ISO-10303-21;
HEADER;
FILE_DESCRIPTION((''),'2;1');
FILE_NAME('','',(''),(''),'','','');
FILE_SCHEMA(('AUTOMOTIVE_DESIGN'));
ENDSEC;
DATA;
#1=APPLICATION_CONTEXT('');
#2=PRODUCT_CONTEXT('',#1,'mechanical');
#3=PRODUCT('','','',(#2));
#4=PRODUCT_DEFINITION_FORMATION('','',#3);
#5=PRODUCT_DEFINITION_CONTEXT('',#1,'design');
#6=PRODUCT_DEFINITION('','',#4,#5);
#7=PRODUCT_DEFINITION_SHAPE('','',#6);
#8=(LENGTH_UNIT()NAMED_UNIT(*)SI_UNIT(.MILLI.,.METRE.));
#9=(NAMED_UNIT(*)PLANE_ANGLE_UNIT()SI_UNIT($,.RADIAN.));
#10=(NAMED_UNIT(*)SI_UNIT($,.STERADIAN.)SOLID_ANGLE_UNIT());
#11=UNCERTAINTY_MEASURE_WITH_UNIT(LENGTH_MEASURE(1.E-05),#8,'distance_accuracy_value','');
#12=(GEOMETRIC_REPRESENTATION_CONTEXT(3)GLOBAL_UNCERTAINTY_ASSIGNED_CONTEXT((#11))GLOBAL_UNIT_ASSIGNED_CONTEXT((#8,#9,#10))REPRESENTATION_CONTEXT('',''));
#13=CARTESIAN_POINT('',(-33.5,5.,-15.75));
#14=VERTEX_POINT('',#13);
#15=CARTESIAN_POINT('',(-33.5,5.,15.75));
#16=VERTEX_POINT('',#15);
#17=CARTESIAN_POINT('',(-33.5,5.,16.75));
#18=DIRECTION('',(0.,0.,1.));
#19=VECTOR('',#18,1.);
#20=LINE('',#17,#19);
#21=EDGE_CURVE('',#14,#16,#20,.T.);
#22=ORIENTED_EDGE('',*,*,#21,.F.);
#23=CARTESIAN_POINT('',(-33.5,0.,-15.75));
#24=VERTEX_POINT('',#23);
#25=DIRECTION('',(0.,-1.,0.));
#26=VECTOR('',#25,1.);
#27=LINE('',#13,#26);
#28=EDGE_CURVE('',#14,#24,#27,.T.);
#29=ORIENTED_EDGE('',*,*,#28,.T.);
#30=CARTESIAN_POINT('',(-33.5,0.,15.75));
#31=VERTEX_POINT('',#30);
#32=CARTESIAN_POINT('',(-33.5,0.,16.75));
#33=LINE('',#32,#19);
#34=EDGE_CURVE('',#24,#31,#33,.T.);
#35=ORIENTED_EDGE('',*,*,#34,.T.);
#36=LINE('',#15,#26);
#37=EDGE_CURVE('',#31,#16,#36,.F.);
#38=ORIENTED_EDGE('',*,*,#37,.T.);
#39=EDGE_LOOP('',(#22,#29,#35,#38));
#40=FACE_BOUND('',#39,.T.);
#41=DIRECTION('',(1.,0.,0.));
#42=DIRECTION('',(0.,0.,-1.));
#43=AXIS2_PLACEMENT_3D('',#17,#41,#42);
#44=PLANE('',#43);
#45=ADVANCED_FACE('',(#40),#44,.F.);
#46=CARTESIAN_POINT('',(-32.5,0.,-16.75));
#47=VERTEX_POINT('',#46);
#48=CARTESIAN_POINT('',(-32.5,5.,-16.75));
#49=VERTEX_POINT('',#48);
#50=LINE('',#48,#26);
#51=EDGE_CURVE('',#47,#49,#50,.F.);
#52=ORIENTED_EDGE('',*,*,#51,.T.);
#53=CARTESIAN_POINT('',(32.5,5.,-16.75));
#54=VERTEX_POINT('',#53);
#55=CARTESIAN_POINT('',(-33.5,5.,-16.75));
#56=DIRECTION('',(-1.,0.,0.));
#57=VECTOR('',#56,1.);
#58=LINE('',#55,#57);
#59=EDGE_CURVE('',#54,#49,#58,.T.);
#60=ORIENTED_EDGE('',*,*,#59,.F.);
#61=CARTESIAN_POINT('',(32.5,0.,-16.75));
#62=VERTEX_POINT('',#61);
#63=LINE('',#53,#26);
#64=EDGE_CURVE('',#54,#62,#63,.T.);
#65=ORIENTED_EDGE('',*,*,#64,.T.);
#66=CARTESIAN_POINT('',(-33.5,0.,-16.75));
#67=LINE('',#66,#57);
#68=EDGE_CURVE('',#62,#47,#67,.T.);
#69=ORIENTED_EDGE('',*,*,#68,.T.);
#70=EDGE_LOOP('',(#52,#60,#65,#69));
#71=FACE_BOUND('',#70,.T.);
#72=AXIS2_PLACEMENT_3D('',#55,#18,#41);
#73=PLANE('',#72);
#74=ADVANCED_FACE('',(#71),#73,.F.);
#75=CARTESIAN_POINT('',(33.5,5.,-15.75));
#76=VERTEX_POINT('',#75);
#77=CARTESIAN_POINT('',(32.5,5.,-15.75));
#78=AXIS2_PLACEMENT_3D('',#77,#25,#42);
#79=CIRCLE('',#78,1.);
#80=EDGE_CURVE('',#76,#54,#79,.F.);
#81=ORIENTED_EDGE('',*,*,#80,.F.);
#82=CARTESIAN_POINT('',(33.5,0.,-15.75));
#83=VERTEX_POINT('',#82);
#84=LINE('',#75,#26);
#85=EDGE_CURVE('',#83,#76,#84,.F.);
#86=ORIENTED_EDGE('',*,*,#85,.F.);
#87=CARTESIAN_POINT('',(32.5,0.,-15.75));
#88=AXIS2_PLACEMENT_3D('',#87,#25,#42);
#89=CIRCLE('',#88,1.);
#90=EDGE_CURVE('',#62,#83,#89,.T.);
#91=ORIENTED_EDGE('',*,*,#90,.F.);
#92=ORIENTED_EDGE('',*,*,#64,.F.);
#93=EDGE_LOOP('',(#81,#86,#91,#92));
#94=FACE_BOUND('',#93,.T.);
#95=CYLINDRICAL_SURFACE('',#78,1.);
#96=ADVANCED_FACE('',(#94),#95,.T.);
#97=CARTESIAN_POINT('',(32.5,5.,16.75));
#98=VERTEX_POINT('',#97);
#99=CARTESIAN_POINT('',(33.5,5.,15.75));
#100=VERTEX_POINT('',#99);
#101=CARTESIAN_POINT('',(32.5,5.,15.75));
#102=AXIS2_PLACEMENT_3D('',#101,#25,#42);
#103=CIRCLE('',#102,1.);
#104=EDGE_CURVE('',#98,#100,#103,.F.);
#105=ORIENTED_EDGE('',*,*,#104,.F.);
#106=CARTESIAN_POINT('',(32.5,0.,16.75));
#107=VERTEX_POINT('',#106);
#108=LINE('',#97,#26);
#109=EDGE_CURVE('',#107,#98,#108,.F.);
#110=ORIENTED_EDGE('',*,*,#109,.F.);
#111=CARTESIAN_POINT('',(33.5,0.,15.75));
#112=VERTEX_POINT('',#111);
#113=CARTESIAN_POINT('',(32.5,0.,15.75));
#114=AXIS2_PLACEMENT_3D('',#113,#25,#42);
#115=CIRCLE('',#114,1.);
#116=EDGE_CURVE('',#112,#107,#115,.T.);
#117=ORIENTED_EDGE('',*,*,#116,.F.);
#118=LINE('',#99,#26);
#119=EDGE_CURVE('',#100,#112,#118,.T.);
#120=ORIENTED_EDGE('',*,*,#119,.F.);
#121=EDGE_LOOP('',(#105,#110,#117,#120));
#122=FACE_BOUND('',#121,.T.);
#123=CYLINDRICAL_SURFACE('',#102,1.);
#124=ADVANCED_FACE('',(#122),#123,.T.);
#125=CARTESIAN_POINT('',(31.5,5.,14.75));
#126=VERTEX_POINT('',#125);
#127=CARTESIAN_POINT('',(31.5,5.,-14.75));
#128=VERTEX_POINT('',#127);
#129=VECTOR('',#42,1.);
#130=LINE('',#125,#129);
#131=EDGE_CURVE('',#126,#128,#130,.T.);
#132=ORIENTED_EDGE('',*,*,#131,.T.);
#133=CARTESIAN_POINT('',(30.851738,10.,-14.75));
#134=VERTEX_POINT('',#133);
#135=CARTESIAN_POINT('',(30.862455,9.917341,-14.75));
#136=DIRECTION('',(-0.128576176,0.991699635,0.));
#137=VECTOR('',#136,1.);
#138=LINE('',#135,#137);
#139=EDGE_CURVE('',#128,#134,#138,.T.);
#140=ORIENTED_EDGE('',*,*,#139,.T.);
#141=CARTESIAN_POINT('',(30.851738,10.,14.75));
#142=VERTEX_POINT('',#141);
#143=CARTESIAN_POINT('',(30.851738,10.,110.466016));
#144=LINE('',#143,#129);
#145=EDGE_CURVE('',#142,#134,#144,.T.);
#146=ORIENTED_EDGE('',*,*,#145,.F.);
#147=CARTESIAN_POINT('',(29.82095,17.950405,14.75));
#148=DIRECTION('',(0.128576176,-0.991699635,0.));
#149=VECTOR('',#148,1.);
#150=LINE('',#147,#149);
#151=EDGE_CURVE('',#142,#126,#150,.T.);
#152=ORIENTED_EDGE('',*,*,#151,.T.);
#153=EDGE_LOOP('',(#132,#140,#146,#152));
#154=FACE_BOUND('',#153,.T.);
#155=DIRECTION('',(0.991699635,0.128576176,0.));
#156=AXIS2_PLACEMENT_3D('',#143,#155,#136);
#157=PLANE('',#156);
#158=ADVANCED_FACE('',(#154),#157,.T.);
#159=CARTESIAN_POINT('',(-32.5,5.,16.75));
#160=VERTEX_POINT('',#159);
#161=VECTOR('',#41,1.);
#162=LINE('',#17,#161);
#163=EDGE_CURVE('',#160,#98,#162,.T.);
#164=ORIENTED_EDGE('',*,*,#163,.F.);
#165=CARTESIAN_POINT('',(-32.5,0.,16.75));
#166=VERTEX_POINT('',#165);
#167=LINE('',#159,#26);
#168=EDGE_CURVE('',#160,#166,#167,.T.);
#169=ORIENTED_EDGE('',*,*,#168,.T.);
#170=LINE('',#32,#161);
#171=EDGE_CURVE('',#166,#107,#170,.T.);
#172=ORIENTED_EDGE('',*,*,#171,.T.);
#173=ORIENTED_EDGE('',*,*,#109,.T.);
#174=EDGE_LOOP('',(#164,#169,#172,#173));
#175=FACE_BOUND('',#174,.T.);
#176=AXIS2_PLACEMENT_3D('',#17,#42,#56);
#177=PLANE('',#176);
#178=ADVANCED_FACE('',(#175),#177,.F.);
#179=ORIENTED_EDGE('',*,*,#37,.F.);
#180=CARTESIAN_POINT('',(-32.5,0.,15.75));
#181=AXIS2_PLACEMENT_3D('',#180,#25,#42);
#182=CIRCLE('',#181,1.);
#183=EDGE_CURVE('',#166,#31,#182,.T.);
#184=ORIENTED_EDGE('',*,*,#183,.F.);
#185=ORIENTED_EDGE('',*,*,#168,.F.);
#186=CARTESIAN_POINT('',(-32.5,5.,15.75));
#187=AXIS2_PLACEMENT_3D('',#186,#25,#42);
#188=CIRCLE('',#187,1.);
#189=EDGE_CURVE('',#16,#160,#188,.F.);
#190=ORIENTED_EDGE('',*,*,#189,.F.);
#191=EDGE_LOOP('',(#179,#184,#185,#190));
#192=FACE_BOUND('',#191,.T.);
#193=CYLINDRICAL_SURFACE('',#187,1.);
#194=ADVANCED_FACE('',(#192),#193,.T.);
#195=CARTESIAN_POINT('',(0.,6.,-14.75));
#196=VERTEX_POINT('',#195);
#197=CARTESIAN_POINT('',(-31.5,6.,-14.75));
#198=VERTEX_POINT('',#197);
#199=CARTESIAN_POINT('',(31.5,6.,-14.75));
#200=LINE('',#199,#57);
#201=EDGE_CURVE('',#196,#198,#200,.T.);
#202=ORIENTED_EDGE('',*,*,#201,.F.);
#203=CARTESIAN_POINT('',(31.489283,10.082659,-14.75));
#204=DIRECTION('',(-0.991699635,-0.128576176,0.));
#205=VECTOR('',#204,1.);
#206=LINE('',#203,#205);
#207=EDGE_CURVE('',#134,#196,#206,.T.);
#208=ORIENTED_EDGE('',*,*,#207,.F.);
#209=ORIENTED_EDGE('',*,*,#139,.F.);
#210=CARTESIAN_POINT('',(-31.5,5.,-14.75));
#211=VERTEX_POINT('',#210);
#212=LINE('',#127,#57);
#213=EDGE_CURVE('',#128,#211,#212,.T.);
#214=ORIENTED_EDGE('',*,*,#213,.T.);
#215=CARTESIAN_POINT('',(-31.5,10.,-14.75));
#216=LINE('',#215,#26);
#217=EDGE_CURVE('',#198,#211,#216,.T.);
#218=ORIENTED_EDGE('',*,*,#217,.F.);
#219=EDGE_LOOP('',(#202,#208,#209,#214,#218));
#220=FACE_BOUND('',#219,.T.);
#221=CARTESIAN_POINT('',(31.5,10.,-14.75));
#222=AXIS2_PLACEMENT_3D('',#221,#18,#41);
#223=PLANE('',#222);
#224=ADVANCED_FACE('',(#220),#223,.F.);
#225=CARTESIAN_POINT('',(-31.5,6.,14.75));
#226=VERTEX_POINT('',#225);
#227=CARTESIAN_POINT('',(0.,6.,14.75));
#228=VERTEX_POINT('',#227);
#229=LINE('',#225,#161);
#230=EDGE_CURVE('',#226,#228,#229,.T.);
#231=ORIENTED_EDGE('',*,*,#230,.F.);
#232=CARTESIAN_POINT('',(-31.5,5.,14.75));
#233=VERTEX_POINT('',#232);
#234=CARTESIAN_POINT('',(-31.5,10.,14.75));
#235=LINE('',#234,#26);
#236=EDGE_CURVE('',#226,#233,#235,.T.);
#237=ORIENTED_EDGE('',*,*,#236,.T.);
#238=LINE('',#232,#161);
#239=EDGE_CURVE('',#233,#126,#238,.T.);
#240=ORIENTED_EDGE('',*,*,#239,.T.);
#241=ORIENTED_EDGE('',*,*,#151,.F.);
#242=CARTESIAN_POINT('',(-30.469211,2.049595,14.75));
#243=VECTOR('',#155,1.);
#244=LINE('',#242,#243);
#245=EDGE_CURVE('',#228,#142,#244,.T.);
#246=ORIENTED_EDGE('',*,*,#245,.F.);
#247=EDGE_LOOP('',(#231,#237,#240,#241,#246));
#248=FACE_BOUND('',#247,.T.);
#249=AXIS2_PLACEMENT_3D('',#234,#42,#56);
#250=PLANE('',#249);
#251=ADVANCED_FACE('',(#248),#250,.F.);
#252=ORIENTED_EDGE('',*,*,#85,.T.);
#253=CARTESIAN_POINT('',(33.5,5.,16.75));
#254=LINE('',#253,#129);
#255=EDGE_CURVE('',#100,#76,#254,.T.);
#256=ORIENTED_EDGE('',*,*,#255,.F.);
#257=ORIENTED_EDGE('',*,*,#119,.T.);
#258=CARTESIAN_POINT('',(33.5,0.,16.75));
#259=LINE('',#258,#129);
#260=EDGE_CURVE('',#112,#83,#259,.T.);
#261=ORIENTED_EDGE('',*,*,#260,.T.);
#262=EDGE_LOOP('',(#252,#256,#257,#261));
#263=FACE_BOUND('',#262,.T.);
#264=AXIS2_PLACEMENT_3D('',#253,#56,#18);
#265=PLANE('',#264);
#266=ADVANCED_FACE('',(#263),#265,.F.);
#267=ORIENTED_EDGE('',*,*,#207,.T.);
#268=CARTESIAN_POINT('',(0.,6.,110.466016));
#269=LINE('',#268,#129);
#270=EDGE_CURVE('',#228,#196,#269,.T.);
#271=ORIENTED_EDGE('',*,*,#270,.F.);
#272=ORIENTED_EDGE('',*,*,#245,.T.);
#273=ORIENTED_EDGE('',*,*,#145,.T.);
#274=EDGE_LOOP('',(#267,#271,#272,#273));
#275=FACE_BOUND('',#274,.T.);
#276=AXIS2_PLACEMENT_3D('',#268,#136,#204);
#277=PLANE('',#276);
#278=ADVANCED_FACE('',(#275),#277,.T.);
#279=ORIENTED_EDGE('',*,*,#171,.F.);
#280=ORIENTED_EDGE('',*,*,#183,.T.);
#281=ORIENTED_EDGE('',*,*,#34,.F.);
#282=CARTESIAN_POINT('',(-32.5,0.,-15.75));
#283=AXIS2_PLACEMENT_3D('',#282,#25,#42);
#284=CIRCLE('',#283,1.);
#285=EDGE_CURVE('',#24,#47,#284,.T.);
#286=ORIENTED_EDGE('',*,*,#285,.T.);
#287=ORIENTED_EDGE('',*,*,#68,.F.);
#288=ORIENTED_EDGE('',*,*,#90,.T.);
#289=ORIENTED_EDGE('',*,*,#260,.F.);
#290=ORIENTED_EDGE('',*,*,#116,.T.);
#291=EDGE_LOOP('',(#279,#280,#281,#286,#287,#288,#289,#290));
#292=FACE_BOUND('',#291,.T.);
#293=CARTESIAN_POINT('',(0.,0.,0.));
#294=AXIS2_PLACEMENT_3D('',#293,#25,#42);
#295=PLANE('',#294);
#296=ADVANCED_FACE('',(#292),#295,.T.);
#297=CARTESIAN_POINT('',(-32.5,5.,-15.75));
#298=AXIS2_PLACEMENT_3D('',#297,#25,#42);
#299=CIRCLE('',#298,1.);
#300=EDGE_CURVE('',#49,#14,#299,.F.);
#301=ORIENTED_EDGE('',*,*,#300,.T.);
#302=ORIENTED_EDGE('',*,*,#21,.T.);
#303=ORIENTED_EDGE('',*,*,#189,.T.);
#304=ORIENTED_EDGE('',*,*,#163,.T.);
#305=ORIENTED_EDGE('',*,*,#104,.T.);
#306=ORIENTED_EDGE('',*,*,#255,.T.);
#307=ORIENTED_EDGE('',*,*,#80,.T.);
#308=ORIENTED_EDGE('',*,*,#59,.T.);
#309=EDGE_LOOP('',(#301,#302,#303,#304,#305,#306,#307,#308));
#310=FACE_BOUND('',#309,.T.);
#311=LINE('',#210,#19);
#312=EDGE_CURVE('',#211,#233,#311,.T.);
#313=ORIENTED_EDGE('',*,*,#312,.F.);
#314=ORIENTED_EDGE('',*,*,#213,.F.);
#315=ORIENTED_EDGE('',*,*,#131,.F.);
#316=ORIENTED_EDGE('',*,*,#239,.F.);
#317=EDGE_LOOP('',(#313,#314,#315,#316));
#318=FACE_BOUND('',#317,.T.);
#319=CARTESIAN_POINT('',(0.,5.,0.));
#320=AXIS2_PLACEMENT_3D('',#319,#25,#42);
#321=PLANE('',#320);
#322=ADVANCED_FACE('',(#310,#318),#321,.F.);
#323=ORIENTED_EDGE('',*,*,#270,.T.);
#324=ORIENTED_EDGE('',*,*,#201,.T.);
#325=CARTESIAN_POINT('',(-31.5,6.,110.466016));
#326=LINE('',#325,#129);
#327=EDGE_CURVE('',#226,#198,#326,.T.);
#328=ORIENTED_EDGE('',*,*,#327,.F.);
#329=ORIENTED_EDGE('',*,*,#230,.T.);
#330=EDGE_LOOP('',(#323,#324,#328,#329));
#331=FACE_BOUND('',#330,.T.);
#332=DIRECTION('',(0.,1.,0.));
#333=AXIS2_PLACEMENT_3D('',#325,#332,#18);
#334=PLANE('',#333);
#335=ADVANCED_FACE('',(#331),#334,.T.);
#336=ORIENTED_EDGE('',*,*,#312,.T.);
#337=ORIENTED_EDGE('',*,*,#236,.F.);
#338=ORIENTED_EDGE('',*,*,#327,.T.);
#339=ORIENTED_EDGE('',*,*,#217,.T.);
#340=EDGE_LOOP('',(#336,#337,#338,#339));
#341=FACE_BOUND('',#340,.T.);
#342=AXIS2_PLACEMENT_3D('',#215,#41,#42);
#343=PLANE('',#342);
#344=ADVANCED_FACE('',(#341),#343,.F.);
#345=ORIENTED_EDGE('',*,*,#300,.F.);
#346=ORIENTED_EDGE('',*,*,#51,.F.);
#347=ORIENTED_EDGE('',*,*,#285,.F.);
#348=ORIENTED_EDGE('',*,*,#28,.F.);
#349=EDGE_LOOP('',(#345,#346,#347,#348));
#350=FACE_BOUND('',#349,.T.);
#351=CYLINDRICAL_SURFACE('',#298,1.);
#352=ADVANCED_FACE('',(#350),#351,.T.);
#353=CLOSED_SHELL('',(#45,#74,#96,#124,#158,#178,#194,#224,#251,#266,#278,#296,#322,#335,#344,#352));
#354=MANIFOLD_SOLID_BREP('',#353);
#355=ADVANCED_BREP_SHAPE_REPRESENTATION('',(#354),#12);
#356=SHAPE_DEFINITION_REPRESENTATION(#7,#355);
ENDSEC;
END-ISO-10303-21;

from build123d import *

# Parameters (mm, degrees)
SKETCH1_W               = 67
SKETCH1_H               = 33.5
BOSS_EXTRUDE1_DEPTH     = 5
FILLET1_R               = 1
SKETCH2_W               = 63
SKETCH2_H               = 29.5
BOSS_EXTRUDE2_DEPTH     = 5
CUT_EXTRUDE1_DEPTH      = 3
CUT_EXTRUDE1_DEPTH_BACK = 32.5


with BuildPart() as part:
    # Sketch1 → Boss-Extrude1 (new body)
    with BuildSketch(Plane(origin=(0, 0, 0), x_dir=(1, 0, 0), z_dir=(0, 1, 0))):
        Rectangle(SKETCH1_W, SKETCH1_H)
    extrude(amount=BOSS_EXTRUDE1_DEPTH)

    # Fillet1
    fillet1_edges = [part.edges().sort_by_distance(p)[0] for p in [
        (33.5, 2.5, 16.75),
        (-33.5, 2.5, 16.75),
        (-33.5, 2.5, -16.75),
        (33.5, 2.5, -16.75),
    ]]
    fillet(fillet1_edges, radius=FILLET1_R)

    # Sketch2 → Boss-Extrude2 (add)
    with BuildSketch(Plane(origin=(0, 5, 0), x_dir=(1, 0, 0), z_dir=(0, 1, 0))):
        Rectangle(SKETCH2_W, SKETCH2_H)
    extrude(amount=BOSS_EXTRUDE2_DEPTH)

    # Sketch3 → Cut-Extrude1 (cut, two sides)
    with BuildSketch(Plane.XY.offset(14.75)) as cut_extrude1_sk:
        Polygon((-31.5, 6), (0, 6), (30.851738311, 10), (-31.5, 10), align=None)
        Polygon((31.5, 10), (30.851738311, 10), (31.5, 5), align=None)
    extrude(amount=CUT_EXTRUDE1_DEPTH, mode=Mode.SUBTRACT)
    extrude(cut_extrude1_sk.sketch, amount=-CUT_EXTRUDE1_DEPTH_BACK, mode=Mode.SUBTRACT)


solid = part.part
